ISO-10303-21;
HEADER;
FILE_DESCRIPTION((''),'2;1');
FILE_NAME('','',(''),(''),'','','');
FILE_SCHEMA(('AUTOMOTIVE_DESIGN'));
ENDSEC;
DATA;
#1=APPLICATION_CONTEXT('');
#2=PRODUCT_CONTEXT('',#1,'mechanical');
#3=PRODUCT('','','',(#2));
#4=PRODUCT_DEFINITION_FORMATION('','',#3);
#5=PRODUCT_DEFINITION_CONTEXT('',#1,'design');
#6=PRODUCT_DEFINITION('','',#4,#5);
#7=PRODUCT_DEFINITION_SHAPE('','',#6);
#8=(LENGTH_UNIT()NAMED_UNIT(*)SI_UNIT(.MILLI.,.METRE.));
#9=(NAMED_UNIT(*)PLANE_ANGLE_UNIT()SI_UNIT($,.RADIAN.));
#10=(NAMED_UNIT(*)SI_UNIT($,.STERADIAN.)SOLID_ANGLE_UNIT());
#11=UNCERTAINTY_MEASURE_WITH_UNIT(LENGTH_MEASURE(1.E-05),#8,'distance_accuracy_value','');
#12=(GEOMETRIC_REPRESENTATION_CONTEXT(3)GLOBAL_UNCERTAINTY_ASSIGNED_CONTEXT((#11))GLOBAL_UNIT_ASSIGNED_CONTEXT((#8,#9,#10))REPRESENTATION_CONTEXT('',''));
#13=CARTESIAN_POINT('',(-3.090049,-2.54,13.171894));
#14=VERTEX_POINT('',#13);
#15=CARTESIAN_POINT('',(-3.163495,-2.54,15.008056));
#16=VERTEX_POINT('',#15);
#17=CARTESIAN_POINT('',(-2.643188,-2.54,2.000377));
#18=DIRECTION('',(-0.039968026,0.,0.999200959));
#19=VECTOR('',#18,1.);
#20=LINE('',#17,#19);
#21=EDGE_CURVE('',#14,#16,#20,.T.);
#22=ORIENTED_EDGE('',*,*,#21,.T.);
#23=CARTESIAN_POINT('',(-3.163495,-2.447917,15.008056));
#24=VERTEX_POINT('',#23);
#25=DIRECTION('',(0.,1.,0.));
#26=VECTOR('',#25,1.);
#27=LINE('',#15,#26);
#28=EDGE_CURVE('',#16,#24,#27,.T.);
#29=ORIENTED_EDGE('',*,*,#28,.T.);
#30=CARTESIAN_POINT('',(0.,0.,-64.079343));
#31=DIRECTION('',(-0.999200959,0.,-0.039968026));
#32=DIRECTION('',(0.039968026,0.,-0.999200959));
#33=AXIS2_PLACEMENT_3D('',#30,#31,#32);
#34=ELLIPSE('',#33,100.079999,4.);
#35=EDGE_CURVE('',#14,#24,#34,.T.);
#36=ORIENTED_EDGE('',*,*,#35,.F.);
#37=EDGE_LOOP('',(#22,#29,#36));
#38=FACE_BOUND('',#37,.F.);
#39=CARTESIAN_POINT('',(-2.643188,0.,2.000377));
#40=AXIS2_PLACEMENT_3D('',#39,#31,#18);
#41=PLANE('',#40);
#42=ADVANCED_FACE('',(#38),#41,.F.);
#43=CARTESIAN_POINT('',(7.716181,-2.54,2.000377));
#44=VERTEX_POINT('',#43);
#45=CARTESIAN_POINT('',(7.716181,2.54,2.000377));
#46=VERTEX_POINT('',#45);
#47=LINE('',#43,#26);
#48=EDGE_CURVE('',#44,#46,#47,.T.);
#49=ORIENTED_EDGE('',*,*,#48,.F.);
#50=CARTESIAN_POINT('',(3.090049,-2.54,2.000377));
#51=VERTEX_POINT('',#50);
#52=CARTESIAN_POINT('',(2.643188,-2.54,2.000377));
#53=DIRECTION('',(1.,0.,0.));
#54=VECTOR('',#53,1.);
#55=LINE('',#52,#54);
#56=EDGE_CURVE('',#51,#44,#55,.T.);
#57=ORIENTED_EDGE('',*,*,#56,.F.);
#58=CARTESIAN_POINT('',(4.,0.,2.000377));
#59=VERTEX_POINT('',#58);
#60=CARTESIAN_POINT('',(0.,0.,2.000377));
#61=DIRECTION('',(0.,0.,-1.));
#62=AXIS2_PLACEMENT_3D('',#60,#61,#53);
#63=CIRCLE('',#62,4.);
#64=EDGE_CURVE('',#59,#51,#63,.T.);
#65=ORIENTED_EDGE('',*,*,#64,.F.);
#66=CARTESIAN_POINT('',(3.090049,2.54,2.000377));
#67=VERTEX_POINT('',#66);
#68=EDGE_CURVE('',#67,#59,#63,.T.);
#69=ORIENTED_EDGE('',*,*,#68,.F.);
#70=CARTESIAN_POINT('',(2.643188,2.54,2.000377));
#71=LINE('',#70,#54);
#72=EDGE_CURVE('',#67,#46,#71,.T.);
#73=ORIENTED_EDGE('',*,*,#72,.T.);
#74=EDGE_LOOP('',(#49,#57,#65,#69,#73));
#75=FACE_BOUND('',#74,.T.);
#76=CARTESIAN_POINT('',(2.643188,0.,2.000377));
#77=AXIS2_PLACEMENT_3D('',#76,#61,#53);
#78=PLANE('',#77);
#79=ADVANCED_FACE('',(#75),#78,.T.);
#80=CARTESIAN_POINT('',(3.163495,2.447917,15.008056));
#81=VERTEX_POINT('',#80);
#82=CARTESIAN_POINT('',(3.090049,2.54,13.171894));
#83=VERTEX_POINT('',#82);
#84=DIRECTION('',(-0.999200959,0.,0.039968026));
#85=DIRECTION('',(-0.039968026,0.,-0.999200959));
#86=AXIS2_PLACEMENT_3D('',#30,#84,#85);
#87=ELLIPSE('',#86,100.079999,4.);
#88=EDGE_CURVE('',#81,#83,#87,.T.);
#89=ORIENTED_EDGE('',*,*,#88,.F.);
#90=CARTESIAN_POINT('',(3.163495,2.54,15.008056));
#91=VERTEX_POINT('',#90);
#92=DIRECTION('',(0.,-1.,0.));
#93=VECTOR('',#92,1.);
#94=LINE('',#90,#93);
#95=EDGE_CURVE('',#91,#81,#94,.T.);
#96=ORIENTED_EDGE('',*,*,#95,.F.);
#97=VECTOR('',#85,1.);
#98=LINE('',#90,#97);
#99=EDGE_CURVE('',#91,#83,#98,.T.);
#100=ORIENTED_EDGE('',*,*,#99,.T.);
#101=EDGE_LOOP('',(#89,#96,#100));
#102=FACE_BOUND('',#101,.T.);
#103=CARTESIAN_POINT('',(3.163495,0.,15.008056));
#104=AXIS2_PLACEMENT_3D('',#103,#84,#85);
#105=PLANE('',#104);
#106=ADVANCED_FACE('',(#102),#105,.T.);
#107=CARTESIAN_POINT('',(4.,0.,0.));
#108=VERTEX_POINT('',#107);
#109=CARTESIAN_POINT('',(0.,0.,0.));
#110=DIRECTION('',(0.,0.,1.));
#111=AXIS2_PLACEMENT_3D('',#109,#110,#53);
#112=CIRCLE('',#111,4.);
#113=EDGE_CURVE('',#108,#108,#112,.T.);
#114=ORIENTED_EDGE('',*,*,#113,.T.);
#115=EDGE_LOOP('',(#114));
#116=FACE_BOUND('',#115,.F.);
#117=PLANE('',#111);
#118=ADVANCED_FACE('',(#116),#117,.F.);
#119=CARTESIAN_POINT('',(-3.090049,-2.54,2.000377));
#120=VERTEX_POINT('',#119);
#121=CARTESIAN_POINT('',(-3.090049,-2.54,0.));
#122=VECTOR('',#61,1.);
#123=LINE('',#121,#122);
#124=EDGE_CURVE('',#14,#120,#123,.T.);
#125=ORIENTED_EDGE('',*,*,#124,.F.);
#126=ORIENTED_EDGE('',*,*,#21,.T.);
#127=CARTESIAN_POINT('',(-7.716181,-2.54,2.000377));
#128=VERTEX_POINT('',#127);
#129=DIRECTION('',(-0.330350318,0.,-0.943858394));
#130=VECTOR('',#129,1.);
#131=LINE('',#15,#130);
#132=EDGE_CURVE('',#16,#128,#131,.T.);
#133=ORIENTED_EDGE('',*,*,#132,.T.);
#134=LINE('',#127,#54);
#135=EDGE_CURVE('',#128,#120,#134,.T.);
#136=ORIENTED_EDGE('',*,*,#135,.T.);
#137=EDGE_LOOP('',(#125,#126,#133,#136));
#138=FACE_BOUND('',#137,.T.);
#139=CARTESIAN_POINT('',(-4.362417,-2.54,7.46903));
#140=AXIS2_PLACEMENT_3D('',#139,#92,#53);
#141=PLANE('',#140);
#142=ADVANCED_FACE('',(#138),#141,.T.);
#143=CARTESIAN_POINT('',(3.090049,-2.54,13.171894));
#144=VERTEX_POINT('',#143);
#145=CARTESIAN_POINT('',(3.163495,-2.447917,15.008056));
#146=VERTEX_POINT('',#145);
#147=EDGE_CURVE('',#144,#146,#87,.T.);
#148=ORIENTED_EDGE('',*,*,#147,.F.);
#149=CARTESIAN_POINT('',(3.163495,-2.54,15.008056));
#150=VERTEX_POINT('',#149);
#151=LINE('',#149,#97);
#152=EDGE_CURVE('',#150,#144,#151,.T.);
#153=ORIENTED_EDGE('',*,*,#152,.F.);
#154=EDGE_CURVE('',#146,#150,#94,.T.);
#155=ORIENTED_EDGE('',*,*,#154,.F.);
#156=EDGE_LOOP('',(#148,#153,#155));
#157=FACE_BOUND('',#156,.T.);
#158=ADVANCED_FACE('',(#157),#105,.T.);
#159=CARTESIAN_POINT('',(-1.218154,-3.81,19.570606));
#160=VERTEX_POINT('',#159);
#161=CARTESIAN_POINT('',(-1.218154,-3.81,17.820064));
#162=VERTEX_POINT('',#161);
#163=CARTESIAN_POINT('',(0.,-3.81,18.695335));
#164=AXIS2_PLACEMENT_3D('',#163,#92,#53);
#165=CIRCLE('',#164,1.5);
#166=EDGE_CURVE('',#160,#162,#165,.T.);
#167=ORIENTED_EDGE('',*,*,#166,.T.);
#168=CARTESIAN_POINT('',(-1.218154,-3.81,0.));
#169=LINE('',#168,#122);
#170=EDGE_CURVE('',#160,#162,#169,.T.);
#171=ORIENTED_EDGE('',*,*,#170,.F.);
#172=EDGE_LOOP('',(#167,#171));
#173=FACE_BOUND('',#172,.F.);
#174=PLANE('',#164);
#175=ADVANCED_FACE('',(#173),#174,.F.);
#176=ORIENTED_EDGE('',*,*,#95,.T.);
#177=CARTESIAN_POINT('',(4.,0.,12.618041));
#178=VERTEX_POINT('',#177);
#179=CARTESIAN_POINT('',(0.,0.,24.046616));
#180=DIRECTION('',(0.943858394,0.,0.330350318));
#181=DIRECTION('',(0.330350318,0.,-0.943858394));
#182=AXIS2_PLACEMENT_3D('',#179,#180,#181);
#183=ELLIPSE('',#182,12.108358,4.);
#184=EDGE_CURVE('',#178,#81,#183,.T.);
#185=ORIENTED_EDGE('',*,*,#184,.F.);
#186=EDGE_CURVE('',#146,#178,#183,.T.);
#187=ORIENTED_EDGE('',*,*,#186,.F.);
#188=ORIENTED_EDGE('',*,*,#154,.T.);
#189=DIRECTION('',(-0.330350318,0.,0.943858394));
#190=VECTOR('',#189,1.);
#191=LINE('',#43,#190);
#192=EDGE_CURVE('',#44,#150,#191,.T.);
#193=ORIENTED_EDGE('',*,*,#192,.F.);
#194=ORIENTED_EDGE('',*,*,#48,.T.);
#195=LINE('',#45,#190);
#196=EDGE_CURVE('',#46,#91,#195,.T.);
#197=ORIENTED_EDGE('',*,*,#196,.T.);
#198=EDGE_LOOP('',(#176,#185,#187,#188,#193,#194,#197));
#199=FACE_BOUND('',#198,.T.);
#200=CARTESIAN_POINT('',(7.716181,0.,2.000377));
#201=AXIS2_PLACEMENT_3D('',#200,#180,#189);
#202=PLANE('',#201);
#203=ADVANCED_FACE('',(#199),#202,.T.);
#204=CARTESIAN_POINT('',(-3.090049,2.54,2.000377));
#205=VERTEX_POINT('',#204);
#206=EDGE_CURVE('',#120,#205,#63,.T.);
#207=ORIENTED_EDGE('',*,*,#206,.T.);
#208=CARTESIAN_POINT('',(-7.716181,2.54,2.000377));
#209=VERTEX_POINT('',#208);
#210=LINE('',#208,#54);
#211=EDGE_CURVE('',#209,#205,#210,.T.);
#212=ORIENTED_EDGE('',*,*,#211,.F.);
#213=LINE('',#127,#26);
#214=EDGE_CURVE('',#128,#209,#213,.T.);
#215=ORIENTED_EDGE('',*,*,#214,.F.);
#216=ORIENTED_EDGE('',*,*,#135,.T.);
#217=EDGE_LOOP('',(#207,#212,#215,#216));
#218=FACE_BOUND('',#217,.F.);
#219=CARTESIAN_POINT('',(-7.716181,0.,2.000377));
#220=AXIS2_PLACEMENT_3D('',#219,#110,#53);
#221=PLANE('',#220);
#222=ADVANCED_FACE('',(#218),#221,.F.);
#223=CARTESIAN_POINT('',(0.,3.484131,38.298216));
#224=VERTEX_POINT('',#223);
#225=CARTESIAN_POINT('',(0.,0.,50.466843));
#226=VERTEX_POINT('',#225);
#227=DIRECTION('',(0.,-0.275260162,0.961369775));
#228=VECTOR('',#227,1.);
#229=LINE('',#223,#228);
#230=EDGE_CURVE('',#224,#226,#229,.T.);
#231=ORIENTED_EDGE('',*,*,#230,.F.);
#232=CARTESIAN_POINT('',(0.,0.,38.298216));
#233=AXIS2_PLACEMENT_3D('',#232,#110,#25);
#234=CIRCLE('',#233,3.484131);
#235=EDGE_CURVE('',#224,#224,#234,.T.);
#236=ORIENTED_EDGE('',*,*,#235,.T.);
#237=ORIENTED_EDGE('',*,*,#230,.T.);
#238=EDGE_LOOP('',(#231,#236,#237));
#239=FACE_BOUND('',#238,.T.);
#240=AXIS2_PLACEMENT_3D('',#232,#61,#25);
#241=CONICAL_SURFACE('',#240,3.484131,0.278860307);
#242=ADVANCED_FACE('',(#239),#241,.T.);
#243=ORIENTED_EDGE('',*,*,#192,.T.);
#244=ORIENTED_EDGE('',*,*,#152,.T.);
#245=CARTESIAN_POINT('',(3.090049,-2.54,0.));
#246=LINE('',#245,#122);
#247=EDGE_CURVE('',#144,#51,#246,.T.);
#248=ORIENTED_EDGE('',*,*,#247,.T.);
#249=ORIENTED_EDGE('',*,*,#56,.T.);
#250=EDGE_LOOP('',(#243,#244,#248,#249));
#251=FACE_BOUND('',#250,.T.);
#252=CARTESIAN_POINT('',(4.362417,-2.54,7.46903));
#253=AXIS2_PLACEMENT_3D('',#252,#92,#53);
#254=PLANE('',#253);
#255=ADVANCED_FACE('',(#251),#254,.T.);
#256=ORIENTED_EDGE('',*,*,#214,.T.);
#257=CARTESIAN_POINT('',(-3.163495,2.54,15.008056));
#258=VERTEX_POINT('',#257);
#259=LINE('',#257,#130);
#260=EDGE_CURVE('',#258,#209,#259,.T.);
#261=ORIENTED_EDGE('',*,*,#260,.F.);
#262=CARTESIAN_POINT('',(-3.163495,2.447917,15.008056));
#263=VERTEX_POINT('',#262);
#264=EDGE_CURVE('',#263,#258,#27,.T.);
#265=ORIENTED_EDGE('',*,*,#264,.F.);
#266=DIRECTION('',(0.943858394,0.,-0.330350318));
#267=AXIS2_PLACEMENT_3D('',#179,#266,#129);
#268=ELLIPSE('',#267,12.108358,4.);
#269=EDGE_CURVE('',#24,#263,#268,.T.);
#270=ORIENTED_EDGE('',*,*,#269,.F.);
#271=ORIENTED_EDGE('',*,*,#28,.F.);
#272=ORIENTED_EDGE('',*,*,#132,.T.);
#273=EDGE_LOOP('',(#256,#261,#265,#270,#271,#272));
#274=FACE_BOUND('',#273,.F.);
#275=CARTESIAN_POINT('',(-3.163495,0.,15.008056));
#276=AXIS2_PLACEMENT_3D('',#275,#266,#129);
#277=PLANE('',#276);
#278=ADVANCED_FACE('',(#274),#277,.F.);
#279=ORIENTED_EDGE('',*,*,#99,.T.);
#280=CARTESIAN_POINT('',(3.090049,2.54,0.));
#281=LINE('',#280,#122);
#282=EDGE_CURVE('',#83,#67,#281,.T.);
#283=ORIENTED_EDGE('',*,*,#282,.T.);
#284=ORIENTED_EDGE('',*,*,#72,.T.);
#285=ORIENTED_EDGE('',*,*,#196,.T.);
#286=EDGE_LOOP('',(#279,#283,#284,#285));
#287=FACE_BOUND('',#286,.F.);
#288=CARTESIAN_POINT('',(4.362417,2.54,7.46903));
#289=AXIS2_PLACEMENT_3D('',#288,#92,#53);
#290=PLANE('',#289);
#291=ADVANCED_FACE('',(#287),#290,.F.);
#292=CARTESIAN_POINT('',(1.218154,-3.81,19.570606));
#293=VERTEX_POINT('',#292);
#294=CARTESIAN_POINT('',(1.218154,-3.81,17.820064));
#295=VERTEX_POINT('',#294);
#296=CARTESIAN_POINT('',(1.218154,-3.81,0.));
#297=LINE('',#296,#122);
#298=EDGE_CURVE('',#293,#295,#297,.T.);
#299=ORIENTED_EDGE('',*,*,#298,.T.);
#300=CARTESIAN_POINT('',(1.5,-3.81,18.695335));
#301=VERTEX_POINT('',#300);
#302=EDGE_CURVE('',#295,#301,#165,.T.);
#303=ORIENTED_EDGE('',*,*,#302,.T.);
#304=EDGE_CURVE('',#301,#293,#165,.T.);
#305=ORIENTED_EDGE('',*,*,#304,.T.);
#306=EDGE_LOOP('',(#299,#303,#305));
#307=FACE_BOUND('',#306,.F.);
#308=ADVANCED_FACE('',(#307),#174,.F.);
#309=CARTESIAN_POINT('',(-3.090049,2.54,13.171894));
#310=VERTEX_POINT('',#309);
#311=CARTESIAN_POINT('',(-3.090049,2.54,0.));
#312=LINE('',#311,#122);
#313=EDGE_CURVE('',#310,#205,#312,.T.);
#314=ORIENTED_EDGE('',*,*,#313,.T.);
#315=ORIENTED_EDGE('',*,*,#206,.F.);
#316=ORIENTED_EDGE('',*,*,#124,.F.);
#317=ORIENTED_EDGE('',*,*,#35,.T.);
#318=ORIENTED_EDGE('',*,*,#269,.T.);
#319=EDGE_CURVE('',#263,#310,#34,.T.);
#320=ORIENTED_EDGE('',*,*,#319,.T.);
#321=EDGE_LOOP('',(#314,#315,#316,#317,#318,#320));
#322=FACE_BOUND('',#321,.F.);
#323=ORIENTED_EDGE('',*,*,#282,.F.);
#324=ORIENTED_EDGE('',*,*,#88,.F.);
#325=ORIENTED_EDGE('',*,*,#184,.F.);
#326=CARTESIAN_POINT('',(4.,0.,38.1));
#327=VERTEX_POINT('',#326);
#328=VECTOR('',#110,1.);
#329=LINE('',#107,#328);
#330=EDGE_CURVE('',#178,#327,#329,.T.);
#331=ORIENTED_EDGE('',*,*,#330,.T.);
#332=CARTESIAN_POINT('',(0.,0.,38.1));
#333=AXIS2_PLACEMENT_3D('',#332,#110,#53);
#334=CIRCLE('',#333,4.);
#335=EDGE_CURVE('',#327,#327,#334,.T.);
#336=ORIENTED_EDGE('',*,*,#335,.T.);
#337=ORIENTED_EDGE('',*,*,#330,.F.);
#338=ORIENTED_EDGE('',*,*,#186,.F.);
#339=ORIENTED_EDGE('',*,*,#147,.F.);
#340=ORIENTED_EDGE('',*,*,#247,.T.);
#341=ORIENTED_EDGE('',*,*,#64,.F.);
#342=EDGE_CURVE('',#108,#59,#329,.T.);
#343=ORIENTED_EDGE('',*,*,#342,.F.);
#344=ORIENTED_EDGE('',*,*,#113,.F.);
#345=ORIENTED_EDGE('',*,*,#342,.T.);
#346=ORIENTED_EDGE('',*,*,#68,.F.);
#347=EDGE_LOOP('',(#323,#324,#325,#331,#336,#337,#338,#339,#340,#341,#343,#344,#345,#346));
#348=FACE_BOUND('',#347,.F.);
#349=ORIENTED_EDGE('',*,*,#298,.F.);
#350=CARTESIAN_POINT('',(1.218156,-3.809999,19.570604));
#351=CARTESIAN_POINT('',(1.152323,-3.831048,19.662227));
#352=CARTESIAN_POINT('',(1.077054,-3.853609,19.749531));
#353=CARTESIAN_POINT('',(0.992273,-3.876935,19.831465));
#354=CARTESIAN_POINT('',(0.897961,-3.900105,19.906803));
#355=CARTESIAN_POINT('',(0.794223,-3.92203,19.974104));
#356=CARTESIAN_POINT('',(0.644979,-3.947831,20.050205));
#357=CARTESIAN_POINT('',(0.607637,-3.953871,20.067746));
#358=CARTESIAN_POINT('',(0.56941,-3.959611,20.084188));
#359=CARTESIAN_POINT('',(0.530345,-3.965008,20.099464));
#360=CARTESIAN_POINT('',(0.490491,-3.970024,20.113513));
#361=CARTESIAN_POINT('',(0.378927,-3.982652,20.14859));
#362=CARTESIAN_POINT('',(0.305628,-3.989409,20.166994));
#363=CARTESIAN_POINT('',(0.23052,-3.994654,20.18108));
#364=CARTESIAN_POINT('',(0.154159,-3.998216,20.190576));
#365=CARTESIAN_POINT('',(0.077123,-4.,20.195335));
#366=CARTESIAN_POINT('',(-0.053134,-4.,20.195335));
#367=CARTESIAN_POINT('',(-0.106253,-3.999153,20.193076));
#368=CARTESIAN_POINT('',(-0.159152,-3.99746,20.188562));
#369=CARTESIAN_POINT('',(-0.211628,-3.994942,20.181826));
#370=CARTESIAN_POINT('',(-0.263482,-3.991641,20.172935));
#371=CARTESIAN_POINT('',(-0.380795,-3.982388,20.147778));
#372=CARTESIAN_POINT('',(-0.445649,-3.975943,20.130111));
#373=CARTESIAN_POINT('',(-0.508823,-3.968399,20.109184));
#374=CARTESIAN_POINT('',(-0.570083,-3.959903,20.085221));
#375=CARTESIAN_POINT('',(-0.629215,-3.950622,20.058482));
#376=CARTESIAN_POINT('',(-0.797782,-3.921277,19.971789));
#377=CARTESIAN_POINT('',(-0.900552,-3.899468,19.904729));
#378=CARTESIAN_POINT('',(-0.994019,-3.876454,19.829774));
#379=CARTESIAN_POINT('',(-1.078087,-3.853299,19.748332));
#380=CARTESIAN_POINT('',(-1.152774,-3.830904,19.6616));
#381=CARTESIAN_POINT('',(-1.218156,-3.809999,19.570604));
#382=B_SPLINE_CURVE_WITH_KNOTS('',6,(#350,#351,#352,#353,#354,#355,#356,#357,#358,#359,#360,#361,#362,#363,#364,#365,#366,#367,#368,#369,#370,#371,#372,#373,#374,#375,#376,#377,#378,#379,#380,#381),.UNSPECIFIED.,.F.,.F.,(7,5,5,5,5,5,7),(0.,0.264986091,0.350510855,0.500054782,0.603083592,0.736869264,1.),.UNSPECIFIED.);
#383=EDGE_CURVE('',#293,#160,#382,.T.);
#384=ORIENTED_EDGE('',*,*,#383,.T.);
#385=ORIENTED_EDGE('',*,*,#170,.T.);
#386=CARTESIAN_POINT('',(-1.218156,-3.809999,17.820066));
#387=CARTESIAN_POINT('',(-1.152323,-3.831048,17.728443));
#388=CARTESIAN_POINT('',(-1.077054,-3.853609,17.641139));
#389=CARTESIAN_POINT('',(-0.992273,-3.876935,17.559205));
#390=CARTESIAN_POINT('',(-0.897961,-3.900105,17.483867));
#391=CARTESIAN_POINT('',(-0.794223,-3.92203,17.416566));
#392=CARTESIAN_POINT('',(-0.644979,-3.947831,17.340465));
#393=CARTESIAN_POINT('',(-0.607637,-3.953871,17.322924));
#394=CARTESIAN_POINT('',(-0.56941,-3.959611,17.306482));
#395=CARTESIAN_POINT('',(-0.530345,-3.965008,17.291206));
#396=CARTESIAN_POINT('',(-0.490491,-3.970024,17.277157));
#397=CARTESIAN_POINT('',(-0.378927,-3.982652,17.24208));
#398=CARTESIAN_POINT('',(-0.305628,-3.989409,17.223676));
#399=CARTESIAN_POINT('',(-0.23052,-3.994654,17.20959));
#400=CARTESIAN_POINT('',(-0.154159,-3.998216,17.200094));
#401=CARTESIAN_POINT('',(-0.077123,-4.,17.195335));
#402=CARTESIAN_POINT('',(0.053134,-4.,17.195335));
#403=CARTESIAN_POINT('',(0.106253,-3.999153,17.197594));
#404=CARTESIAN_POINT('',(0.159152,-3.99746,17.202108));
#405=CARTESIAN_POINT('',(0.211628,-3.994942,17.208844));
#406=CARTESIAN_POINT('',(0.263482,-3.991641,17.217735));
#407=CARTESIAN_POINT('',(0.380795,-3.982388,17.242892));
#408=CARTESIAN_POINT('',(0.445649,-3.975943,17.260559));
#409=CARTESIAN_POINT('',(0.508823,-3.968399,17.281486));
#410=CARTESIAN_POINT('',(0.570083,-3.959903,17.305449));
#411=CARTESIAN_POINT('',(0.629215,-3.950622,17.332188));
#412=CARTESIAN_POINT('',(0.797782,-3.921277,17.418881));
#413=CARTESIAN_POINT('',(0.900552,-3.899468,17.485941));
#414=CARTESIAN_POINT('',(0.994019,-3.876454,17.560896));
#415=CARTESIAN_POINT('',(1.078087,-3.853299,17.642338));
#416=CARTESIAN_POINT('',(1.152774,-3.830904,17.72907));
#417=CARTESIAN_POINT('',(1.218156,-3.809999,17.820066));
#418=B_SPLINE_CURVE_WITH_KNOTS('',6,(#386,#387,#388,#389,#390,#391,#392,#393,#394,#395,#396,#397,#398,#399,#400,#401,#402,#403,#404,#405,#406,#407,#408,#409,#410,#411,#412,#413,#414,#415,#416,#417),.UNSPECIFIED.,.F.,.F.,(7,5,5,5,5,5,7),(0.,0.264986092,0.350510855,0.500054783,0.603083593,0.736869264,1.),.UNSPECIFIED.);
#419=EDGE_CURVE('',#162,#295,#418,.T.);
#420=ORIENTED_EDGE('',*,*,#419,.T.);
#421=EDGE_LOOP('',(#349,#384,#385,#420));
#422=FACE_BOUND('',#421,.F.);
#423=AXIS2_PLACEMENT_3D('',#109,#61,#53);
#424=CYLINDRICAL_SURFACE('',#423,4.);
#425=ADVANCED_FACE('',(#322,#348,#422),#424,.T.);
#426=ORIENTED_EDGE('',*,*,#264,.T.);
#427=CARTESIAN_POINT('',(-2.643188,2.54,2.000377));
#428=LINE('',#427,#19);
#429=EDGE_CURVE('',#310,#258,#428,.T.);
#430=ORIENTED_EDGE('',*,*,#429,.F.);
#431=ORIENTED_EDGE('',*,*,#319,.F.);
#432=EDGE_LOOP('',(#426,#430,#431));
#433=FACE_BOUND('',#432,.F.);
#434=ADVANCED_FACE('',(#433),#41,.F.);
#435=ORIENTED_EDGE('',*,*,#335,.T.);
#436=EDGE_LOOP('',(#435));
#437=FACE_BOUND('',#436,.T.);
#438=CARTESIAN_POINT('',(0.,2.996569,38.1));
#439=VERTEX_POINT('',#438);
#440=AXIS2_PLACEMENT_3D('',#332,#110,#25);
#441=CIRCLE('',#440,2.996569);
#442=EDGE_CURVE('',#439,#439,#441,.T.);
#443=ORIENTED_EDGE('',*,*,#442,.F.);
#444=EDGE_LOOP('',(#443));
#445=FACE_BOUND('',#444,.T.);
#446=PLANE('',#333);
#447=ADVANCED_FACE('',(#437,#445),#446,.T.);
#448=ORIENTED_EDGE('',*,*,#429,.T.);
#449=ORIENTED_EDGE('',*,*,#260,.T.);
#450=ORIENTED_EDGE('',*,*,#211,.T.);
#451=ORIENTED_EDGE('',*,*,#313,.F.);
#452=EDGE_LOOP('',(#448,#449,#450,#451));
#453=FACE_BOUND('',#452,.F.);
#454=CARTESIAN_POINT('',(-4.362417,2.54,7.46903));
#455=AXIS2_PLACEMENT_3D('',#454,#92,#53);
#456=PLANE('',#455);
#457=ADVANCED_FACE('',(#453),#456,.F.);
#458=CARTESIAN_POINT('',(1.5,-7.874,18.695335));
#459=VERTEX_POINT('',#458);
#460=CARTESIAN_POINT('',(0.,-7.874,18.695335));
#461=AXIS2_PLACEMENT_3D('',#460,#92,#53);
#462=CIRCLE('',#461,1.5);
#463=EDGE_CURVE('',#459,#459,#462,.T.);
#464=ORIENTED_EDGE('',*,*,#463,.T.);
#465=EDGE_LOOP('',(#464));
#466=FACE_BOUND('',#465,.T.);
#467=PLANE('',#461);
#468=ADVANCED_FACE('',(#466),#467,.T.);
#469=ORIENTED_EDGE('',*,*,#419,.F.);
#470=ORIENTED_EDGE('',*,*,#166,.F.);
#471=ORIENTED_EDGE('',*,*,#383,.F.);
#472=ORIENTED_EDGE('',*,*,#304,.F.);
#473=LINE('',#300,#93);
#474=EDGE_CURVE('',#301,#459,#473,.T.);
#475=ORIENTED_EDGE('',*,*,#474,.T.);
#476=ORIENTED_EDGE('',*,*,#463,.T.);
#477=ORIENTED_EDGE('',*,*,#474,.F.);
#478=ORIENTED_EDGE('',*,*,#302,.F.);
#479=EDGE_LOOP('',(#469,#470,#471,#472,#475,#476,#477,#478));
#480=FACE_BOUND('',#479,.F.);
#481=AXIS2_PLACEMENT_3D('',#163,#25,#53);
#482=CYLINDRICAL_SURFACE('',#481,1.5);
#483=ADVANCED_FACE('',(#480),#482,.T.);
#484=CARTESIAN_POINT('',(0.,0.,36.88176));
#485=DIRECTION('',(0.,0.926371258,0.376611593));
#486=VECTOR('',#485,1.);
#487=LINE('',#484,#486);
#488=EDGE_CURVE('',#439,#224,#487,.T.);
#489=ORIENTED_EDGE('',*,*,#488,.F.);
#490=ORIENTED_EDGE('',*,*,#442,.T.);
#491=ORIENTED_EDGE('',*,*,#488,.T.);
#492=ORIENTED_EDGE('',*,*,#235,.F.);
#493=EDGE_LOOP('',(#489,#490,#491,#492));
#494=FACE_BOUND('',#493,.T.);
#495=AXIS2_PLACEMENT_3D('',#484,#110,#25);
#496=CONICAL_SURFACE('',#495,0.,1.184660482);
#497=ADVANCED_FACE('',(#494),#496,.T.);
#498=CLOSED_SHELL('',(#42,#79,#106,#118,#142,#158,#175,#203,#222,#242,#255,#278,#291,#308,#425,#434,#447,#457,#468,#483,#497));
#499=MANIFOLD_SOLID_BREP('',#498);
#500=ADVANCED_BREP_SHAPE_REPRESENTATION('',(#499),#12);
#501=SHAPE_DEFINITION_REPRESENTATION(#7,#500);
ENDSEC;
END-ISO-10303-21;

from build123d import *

# Parameters (mm, degrees)
F0_R     = 4
F1_DEPTH = 38.1
F5_DEPTH = 2.54
F7_R     = 1.5
F8_DEPTH = 4.064


with BuildPart() as f1:
    # F0 (on Top) → F1 (new body)
    with BuildSketch(Plane.XY):
        Circle(F0_R)
    extrude(amount=F1_DEPTH)

    # F2 (on Right) → F3 (revolve)
    with BuildSketch(Plane.YZ):
        Polygon((0, 50.466843), (0, 36.88176), (3.484131, 38.298216), align=None)
    revolve(axis=Axis((0, 0, 43.674301), (0, 0, 1)))

    # F4 (on Front) → F5 (join, symmetric)
    with BuildSketch(Plane.XZ):
        Polygon((-7.716181, 2.000377), (-2.643188, 2.000377), (-3.163495, 15.008056), align=None)
        Polygon((7.716181, 2.000377), (3.163495, 15.008056), (2.643188, 2.000377), align=None)
    extrude(amount=F5_DEPTH, both=True)

    # F7 (on offset) → F8 (join)
    with BuildSketch(Plane.XZ.offset(3.81)):
        with Locations((0, 18.695335)):
            Circle(F7_R)
    extrude(amount=F8_DEPTH)


solid = f1.part
